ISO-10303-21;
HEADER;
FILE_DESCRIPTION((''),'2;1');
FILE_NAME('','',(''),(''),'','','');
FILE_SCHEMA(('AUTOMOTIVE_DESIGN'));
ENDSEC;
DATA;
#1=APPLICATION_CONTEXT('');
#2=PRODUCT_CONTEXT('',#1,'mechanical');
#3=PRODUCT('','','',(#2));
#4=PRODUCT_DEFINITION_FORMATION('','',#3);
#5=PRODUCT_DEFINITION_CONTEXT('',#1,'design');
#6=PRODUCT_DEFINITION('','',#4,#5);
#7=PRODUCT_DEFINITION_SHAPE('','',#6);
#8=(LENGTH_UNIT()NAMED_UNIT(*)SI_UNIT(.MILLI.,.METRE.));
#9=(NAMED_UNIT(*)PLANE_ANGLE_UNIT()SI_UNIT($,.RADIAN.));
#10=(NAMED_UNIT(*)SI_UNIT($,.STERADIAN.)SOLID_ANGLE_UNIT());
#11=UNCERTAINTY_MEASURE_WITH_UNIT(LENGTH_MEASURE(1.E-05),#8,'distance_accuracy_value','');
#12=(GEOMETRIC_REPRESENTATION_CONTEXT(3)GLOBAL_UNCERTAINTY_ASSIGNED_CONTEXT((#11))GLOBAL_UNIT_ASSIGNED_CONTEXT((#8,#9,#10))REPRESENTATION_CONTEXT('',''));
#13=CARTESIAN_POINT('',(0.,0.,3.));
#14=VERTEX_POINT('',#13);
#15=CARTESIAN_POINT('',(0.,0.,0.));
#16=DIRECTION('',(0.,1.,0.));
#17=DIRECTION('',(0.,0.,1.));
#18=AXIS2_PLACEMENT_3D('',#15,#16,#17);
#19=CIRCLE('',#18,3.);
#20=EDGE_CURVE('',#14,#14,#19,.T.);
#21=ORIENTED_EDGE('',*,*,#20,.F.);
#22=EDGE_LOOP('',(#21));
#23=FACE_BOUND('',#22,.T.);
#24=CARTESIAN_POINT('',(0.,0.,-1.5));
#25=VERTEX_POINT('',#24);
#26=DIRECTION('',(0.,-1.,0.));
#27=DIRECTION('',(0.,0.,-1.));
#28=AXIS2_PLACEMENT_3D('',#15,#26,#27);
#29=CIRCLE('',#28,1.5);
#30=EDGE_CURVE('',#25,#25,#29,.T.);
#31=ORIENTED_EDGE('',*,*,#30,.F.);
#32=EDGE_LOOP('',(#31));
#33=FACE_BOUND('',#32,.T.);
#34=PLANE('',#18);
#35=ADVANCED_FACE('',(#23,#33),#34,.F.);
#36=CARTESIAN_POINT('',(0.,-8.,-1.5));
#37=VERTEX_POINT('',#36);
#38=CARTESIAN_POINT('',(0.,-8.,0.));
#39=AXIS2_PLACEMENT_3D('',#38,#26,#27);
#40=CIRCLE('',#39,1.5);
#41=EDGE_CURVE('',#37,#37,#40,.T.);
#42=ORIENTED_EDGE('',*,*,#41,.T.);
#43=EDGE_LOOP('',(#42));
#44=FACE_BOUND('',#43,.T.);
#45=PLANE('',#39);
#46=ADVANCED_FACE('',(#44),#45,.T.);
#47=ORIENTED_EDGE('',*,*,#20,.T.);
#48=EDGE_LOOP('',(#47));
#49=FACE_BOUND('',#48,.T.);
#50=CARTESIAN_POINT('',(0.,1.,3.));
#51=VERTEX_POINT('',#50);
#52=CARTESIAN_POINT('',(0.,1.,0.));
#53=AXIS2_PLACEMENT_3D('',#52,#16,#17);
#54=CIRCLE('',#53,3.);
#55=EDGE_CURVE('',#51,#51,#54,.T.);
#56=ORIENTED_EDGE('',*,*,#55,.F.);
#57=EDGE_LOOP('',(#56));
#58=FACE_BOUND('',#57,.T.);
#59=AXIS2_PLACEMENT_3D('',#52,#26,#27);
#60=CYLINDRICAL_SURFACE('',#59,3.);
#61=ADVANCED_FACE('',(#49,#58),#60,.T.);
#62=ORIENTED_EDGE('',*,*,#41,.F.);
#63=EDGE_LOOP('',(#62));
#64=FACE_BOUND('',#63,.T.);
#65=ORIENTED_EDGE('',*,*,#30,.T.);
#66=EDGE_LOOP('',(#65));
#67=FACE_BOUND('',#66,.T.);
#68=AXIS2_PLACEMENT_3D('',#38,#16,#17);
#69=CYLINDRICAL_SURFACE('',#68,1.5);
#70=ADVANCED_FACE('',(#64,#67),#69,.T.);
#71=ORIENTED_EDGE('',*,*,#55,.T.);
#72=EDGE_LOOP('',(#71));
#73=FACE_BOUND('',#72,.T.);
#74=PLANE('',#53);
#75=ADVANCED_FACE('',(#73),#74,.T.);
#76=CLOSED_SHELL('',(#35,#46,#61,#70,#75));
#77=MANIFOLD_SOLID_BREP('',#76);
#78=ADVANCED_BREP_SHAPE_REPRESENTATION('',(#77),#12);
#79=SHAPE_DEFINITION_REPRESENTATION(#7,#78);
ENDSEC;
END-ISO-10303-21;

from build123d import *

# Parameters (mm, degrees)
SKETCH_1_R      = 3
EXTRUDE_1_DEPTH = 1
SKETCH_2_R      = 1.5
EXTRUDE_2_DEPTH = 8


with BuildPart() as part:
    # 草图1 → 凸台-拉伸1 (new body)
    with BuildSketch(Plane(origin=(0, 0, 0), x_dir=(1, 0, 0), z_dir=(0, 1, 0))):
        with Locations(Location((0, 0, 0), (0, 0, 270))):
            Circle(SKETCH_1_R)
    extrude(amount=EXTRUDE_1_DEPTH)

    # 草图2 → 凸台-拉伸2 (add)
    with BuildSketch(Plane.XZ):
        with Locations(Location((0, 0, 0), (0, 0, 270))):
            Circle(SKETCH_2_R)
    extrude(amount=EXTRUDE_2_DEPTH)


solid = part.part
